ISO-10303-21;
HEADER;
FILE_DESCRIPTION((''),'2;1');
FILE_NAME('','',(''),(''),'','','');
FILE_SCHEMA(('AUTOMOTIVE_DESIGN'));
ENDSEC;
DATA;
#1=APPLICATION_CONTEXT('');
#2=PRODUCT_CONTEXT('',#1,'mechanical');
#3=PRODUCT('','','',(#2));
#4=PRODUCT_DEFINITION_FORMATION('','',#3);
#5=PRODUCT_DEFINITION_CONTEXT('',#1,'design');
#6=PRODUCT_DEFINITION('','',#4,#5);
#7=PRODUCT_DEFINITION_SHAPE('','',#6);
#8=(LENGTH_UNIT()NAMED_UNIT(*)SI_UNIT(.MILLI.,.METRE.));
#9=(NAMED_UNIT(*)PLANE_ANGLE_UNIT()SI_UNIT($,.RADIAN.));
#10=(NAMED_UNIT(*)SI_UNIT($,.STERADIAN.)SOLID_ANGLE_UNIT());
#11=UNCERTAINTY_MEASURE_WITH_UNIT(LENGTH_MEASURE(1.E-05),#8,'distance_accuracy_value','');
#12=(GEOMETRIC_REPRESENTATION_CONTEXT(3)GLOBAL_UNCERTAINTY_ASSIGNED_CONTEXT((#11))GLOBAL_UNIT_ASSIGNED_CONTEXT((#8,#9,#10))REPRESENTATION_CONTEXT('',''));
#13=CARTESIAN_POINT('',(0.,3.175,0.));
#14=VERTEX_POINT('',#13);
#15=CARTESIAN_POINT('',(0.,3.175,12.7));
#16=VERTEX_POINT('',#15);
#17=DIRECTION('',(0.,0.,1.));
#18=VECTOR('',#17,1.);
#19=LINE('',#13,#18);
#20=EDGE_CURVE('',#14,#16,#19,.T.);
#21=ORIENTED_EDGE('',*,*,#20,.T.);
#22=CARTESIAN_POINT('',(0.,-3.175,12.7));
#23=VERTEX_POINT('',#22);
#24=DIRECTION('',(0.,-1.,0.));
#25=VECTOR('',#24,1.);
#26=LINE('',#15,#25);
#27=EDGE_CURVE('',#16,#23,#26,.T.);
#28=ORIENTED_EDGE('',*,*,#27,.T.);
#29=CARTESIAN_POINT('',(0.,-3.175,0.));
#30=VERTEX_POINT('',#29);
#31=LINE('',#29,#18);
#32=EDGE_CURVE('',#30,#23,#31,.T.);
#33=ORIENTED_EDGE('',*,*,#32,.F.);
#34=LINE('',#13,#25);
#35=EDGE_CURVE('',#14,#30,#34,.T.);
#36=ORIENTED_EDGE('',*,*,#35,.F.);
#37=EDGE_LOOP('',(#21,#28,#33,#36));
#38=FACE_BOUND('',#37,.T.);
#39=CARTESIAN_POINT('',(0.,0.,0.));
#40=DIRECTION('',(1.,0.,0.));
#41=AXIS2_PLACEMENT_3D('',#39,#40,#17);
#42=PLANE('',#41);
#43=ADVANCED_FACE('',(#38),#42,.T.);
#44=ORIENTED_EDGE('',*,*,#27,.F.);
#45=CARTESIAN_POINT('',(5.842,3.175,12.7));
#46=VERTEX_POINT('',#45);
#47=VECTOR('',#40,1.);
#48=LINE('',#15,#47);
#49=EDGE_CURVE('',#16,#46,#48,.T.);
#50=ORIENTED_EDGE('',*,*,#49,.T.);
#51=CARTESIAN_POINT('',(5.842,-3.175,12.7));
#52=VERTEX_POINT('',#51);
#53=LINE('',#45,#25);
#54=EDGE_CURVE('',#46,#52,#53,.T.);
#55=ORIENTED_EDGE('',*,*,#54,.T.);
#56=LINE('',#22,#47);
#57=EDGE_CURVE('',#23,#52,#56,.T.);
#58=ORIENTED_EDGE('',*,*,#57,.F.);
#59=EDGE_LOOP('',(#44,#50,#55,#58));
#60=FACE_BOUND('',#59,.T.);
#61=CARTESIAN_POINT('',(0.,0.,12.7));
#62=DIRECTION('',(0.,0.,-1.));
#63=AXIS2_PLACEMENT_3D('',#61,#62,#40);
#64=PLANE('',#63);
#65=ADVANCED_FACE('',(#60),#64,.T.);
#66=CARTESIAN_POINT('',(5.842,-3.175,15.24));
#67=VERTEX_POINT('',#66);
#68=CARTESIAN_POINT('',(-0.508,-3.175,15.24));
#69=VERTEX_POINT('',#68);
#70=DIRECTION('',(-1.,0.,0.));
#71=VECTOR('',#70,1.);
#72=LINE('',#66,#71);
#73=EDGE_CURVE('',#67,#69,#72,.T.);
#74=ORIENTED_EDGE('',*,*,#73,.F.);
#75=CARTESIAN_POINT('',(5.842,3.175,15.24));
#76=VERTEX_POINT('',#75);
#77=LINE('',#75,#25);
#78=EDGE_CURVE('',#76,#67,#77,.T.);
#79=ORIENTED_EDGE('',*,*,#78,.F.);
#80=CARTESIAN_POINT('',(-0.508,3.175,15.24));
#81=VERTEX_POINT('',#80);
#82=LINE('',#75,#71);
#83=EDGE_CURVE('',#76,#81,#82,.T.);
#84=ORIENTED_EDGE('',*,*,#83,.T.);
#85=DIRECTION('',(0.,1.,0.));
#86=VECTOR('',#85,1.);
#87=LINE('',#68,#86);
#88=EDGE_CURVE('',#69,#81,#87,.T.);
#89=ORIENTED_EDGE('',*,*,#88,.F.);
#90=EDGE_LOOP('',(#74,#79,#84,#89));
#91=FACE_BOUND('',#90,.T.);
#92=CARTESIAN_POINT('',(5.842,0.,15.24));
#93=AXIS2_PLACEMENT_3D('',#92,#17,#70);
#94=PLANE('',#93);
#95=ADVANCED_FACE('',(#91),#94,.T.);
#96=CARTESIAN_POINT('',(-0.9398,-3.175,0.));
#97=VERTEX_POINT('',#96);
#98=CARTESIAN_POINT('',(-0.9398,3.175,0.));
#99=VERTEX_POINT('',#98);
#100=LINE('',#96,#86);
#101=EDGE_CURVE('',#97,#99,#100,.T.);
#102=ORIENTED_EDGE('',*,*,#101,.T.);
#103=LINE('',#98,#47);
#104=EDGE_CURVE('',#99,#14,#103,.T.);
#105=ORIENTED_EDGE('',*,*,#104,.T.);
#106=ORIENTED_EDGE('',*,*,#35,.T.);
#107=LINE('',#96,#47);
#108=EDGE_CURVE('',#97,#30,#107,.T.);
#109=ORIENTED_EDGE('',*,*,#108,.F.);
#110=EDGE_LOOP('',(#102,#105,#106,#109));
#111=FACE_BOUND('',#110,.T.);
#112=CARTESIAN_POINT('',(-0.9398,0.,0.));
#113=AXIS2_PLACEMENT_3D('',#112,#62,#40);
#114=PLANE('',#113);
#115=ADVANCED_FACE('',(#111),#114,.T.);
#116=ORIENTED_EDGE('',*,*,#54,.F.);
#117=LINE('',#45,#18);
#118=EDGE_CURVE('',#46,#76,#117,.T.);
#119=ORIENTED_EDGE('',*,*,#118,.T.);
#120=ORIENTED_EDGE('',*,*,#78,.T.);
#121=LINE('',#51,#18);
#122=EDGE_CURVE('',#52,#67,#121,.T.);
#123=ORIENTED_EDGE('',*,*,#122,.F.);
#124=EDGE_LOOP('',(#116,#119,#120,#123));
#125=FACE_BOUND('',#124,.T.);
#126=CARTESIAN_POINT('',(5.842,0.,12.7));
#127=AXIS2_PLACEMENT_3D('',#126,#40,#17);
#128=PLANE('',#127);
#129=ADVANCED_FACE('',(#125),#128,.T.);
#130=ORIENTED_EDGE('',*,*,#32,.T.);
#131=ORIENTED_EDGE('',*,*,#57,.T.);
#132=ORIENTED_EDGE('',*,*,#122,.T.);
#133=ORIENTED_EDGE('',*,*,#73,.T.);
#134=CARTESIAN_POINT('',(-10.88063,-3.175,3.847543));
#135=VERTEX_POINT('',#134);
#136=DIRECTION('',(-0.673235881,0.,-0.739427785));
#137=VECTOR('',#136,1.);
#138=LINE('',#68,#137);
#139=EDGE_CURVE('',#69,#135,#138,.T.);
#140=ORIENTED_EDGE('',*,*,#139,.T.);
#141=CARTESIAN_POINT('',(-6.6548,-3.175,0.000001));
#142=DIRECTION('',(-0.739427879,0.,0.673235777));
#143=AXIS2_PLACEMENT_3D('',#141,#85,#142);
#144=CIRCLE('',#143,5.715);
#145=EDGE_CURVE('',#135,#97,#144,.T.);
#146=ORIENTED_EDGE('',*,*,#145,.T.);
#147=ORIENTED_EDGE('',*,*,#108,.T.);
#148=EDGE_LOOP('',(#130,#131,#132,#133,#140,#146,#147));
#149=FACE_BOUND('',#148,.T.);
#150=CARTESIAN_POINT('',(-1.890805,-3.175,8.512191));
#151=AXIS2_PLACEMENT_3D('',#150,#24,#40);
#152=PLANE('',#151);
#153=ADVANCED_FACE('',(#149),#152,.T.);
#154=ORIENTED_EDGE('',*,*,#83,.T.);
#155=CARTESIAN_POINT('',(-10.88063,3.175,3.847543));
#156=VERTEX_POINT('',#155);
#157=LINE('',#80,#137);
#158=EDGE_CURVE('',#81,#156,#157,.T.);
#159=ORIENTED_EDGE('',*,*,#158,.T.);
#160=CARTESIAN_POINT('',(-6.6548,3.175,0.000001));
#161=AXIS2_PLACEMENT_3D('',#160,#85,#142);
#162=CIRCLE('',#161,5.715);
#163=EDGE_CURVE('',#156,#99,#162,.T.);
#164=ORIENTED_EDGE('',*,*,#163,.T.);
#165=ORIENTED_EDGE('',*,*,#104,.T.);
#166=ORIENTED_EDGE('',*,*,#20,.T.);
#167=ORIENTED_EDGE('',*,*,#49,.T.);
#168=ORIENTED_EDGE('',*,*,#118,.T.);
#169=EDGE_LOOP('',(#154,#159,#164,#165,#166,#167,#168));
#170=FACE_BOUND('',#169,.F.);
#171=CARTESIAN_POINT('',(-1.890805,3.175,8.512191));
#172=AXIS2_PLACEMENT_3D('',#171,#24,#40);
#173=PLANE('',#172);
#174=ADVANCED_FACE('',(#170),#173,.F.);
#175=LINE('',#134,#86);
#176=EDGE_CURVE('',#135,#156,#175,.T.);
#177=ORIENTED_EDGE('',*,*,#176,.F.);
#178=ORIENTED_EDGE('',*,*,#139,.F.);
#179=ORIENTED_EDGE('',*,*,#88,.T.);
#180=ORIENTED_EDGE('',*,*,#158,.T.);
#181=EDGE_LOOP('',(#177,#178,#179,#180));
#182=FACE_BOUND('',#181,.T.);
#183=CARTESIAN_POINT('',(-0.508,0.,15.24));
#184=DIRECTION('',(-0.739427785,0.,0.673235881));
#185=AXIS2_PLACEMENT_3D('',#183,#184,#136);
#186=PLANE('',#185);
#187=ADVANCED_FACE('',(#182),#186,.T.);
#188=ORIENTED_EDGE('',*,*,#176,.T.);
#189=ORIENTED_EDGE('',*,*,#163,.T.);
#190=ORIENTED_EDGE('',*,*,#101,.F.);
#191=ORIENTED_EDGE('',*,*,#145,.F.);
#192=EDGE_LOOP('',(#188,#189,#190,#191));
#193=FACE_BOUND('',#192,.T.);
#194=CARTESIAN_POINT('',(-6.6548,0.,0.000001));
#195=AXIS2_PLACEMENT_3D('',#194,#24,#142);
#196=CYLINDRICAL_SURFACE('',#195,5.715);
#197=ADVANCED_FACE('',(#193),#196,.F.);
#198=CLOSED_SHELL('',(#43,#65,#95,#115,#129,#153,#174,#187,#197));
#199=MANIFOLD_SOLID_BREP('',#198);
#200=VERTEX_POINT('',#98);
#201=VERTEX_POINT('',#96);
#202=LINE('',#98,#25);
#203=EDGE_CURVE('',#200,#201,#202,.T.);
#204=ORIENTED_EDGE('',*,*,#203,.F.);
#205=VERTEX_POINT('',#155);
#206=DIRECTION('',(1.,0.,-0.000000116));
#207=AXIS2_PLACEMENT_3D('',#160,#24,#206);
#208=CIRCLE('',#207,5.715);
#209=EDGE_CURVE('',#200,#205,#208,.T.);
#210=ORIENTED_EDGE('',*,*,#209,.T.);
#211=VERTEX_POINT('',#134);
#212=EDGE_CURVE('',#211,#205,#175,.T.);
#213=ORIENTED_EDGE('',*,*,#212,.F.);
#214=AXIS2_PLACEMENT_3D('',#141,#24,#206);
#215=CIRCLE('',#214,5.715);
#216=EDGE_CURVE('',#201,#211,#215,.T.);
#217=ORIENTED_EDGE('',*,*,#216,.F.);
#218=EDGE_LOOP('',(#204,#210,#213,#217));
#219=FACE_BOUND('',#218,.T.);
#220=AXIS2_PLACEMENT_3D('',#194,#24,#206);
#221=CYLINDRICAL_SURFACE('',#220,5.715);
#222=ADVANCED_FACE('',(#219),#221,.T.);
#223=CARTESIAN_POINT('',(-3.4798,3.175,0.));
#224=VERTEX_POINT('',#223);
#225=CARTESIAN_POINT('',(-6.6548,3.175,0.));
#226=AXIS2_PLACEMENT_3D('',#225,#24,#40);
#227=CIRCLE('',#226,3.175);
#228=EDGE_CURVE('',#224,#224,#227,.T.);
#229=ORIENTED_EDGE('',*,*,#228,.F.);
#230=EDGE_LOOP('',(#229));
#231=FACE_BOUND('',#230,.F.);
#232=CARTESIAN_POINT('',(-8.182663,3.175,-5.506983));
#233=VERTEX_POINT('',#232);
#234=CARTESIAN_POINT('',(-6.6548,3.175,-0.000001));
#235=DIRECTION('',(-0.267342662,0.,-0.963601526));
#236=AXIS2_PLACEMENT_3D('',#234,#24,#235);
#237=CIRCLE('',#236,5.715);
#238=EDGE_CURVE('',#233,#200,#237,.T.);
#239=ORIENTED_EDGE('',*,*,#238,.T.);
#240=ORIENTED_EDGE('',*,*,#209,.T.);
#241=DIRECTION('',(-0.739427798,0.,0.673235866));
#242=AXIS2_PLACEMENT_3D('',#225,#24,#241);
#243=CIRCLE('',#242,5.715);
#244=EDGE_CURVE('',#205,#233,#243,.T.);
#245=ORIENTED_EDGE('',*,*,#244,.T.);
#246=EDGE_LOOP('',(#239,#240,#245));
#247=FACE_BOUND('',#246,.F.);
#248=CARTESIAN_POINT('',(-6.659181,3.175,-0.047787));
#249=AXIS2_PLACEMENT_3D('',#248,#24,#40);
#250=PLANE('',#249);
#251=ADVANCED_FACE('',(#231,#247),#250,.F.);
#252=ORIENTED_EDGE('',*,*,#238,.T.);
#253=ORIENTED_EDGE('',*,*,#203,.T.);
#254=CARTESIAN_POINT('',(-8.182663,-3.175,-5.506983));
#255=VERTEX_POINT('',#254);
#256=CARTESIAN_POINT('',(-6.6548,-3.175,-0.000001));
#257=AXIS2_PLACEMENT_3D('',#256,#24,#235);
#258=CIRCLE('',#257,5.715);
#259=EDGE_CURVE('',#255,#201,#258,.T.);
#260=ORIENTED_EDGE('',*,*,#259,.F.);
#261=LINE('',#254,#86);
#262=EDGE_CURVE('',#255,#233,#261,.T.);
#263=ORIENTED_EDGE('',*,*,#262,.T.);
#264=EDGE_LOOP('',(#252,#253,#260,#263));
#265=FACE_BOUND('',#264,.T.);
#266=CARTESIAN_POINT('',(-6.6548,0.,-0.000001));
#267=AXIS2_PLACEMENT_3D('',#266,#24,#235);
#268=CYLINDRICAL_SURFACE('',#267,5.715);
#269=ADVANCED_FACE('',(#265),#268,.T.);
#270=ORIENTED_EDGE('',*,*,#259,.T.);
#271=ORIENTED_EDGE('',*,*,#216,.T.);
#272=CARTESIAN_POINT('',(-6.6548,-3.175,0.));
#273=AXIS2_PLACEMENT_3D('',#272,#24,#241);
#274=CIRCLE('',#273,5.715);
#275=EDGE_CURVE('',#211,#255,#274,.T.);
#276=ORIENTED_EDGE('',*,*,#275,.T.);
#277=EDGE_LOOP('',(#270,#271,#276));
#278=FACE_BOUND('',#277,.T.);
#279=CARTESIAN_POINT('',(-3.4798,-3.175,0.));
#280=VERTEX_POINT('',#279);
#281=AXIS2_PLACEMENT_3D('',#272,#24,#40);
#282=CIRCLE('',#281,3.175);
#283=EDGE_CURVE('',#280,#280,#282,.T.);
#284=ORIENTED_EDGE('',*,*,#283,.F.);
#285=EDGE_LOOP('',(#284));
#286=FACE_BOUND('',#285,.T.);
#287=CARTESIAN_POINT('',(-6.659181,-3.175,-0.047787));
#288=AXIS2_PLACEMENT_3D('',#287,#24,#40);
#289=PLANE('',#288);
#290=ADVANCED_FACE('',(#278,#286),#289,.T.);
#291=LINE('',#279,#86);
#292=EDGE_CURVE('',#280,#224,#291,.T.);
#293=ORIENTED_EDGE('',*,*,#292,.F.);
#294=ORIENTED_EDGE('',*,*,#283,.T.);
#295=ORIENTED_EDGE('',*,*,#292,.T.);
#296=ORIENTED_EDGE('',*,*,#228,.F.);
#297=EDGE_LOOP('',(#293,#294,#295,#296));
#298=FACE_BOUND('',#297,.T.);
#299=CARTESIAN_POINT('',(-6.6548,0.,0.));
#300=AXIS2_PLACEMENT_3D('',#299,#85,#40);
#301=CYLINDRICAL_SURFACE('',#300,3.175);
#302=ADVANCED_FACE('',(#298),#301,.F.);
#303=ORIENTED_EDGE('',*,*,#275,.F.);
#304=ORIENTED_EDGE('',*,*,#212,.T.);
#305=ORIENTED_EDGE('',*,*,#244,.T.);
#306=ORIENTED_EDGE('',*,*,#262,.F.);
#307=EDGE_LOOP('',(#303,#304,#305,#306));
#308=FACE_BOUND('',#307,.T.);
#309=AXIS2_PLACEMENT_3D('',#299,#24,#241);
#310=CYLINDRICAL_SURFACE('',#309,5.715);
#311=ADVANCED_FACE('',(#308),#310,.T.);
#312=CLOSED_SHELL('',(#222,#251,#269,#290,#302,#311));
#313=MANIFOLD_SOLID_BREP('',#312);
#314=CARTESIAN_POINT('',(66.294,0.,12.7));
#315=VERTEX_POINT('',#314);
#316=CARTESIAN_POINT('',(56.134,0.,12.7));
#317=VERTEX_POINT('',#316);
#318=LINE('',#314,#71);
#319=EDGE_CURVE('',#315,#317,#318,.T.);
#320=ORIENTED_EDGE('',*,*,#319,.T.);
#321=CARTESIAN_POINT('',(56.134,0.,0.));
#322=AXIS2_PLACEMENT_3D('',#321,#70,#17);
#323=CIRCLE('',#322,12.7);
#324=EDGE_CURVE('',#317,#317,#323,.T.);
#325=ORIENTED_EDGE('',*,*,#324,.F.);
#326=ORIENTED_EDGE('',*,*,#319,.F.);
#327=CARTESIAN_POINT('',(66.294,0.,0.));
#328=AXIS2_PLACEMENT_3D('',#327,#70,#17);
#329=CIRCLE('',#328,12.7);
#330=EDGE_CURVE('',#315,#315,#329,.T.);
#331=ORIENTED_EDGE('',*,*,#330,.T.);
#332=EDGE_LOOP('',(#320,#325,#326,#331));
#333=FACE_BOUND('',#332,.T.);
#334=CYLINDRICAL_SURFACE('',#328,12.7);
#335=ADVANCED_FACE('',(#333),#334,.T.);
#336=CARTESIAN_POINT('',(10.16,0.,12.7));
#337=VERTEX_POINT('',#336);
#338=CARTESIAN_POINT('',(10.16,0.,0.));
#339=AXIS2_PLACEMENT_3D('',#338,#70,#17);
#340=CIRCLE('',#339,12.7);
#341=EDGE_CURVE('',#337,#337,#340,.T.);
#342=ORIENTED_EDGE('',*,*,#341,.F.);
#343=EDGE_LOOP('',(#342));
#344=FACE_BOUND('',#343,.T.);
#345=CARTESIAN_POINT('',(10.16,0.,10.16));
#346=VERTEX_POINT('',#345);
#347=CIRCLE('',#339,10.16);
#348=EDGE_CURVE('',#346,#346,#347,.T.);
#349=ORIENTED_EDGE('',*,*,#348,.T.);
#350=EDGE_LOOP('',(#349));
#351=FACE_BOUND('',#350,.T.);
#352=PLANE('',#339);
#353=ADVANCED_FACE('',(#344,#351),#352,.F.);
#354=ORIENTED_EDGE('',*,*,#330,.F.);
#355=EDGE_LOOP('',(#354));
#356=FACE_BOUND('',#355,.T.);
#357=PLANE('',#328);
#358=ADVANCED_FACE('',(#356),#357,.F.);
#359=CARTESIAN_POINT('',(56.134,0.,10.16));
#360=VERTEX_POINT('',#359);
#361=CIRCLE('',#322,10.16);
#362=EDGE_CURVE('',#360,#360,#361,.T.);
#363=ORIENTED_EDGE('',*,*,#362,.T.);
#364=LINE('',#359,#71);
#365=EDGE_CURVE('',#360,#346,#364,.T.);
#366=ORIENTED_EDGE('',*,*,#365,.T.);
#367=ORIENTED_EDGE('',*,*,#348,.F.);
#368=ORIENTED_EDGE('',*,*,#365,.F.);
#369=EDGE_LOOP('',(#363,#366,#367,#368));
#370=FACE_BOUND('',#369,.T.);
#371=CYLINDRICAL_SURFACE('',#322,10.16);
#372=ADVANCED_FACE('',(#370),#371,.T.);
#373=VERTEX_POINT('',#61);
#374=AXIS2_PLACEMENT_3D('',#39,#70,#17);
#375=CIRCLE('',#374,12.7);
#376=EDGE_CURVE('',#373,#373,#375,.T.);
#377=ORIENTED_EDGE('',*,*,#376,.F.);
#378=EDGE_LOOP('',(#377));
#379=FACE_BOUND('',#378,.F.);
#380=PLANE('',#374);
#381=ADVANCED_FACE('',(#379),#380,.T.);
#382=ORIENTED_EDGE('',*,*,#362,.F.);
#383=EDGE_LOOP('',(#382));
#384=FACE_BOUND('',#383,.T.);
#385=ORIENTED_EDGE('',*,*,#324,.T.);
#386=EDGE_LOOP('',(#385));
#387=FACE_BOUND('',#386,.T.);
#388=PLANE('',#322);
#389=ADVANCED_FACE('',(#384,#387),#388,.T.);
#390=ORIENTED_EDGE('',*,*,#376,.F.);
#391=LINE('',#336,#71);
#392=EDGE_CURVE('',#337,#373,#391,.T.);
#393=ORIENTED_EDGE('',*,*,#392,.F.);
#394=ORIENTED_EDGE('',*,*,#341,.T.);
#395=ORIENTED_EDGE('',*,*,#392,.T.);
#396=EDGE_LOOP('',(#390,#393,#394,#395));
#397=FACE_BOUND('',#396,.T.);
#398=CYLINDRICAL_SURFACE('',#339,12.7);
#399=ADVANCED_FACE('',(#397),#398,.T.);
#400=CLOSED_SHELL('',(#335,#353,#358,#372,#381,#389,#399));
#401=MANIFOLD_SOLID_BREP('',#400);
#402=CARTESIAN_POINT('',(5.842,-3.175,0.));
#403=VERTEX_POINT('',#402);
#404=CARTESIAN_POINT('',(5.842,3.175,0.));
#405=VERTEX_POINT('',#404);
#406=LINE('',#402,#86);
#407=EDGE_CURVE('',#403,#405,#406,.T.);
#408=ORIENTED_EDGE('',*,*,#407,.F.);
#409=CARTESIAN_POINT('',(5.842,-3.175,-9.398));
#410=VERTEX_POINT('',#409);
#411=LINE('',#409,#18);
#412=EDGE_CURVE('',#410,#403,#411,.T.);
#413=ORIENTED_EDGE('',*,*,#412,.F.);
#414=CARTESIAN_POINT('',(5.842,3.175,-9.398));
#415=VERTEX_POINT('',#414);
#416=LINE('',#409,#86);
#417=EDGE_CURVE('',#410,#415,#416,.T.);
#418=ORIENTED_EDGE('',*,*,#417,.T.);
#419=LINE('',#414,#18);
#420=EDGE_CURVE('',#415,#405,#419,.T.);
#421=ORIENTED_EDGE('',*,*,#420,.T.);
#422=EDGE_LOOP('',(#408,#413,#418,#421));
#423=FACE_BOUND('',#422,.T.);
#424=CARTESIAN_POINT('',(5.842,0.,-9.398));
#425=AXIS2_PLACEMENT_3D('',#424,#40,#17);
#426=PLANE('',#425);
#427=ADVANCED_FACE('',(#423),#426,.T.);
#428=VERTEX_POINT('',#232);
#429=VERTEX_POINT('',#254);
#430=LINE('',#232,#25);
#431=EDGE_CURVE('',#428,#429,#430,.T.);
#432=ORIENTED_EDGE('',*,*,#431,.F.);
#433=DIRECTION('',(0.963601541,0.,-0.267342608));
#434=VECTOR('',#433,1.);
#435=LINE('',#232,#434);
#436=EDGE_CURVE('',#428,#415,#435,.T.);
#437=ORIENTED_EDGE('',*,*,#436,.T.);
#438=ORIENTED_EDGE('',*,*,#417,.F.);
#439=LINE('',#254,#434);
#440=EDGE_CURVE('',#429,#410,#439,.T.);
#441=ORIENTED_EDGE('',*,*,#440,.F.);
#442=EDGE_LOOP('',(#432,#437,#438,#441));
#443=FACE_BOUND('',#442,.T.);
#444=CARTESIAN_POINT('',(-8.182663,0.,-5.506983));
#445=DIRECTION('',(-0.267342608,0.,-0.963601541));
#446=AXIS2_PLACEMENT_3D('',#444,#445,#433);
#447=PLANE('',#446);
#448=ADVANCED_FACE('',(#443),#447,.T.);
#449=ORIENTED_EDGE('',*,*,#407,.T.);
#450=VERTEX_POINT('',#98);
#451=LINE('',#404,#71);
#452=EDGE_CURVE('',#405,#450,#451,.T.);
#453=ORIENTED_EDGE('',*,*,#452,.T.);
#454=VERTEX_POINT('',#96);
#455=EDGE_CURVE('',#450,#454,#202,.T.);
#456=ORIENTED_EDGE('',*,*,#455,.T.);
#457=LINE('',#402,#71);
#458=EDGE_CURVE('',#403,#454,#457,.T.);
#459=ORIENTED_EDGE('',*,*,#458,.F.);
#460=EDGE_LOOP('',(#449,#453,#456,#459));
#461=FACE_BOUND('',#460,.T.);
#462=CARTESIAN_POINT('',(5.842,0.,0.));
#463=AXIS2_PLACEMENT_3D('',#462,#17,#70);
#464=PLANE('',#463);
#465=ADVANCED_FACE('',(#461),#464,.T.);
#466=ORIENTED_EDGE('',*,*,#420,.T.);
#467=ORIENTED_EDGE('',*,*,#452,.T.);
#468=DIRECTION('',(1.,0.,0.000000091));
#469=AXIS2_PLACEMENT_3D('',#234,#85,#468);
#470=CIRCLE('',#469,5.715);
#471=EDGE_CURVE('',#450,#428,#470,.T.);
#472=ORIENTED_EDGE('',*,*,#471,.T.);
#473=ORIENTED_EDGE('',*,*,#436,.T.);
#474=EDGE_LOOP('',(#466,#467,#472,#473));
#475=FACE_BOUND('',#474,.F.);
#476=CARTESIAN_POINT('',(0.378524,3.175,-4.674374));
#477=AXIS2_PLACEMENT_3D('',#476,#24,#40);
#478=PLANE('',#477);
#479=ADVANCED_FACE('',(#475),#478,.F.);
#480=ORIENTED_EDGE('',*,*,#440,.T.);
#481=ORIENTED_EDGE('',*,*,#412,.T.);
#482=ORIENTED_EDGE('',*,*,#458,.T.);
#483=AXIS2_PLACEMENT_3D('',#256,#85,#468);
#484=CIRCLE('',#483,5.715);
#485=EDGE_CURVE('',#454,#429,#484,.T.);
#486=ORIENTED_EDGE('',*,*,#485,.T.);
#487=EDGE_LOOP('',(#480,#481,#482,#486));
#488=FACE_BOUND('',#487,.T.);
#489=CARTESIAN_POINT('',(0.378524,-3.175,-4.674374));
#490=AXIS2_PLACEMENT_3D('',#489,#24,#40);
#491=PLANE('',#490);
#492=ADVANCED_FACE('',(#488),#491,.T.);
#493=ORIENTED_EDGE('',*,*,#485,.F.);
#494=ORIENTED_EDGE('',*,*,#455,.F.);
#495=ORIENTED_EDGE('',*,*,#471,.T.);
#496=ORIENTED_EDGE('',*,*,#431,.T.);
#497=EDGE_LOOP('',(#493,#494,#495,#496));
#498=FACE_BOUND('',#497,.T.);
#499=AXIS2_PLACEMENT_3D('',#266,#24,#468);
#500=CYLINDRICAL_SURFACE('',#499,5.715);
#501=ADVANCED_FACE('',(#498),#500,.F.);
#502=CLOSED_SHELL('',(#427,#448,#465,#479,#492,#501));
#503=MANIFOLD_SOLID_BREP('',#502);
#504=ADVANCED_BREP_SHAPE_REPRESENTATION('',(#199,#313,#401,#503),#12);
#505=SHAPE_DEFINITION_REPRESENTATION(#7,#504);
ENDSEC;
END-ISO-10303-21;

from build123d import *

# Parameters (mm, degrees)
F0_W     = 5.842
F0_H     = 12.7
F0_R     = 3.175
F2_DEPTH = 3.175
F3_DEPTH = 3.175
F4_DEPTH = 3.175


with BuildPart() as f1:
    # F0 (on Front) → F1 (revolve)
    with BuildSketch(Plane.XZ):
        Polygon((5.842, 12.7), (5.842, 0), (66.294, 0), (66.294, 12.7), (56.134, 12.7), (56.134, 10.16), (10.16, 10.16), (10.16, 12.7), align=None)
        with Locations((2.921, 6.35)):
            Rectangle(F0_W, F0_H)
    revolve(axis=Axis((-3.3274, 0, 0), (-1, 0, 0)))


with BuildPart() as f2:
    # F0 (on Front) → F2 (new body, symmetric)
    with BuildSketch(Plane.XZ):
        with BuildLine():
            ThreePointArc((-8.182663, -5.506983), (-3.195791, -4.549339), (-0.9398, 0))
            ThreePointArc((-0.9398, 0), (-4.591961, 5.329721), (-10.88063, 3.847543))
            ThreePointArc((-10.88063, 3.847543), (-12.145978, -1.583727), (-8.182663, -5.506983))
        make_face()
        with Locations((-6.6548, 0)):
            Circle(F0_R, mode=Mode.SUBTRACT)
    extrude(amount=F2_DEPTH, both=True)


with BuildPart() as f3:
    # F0 (on Front) → F3 (new body, symmetric)
    with BuildSketch(Plane.XZ):
        with BuildLine():
            Line((-0.9398, 0), (0, 0))
            Line((0, 0), (0, 12.7))
            Line((0, 12.7), (5.842, 12.7))
            Line((5.842, 12.7), (5.842, 15.24))
            Line((5.842, 15.24), (-0.508, 15.24))
            Line((-0.508, 15.24), (-10.88063, 3.847543))
            ThreePointArc((-10.88063, 3.847543), (-4.591961, 5.329721), (-0.9398, 0))
        make_face()
    extrude(amount=F3_DEPTH, both=True)


with BuildPart() as f4:
    # F0 (on Front) → F4 (new body, symmetric)
    with BuildSketch(Plane.XZ):
        with BuildLine():
            Line((5.842, 0), (0, 0))
            Line((0, 0), (-0.9398, 0))
            ThreePointArc((-0.9398, 0), (-3.195791, -4.549339), (-8.182663, -5.506983))
            Line((-8.182663, -5.506983), (5.842, -9.398))
            Line((5.842, -9.398), (5.842, 0))
        make_face()
    extrude(amount=F4_DEPTH, both=True)


solid = Compound([f1.part, f2.part, f3.part, f4.part])
